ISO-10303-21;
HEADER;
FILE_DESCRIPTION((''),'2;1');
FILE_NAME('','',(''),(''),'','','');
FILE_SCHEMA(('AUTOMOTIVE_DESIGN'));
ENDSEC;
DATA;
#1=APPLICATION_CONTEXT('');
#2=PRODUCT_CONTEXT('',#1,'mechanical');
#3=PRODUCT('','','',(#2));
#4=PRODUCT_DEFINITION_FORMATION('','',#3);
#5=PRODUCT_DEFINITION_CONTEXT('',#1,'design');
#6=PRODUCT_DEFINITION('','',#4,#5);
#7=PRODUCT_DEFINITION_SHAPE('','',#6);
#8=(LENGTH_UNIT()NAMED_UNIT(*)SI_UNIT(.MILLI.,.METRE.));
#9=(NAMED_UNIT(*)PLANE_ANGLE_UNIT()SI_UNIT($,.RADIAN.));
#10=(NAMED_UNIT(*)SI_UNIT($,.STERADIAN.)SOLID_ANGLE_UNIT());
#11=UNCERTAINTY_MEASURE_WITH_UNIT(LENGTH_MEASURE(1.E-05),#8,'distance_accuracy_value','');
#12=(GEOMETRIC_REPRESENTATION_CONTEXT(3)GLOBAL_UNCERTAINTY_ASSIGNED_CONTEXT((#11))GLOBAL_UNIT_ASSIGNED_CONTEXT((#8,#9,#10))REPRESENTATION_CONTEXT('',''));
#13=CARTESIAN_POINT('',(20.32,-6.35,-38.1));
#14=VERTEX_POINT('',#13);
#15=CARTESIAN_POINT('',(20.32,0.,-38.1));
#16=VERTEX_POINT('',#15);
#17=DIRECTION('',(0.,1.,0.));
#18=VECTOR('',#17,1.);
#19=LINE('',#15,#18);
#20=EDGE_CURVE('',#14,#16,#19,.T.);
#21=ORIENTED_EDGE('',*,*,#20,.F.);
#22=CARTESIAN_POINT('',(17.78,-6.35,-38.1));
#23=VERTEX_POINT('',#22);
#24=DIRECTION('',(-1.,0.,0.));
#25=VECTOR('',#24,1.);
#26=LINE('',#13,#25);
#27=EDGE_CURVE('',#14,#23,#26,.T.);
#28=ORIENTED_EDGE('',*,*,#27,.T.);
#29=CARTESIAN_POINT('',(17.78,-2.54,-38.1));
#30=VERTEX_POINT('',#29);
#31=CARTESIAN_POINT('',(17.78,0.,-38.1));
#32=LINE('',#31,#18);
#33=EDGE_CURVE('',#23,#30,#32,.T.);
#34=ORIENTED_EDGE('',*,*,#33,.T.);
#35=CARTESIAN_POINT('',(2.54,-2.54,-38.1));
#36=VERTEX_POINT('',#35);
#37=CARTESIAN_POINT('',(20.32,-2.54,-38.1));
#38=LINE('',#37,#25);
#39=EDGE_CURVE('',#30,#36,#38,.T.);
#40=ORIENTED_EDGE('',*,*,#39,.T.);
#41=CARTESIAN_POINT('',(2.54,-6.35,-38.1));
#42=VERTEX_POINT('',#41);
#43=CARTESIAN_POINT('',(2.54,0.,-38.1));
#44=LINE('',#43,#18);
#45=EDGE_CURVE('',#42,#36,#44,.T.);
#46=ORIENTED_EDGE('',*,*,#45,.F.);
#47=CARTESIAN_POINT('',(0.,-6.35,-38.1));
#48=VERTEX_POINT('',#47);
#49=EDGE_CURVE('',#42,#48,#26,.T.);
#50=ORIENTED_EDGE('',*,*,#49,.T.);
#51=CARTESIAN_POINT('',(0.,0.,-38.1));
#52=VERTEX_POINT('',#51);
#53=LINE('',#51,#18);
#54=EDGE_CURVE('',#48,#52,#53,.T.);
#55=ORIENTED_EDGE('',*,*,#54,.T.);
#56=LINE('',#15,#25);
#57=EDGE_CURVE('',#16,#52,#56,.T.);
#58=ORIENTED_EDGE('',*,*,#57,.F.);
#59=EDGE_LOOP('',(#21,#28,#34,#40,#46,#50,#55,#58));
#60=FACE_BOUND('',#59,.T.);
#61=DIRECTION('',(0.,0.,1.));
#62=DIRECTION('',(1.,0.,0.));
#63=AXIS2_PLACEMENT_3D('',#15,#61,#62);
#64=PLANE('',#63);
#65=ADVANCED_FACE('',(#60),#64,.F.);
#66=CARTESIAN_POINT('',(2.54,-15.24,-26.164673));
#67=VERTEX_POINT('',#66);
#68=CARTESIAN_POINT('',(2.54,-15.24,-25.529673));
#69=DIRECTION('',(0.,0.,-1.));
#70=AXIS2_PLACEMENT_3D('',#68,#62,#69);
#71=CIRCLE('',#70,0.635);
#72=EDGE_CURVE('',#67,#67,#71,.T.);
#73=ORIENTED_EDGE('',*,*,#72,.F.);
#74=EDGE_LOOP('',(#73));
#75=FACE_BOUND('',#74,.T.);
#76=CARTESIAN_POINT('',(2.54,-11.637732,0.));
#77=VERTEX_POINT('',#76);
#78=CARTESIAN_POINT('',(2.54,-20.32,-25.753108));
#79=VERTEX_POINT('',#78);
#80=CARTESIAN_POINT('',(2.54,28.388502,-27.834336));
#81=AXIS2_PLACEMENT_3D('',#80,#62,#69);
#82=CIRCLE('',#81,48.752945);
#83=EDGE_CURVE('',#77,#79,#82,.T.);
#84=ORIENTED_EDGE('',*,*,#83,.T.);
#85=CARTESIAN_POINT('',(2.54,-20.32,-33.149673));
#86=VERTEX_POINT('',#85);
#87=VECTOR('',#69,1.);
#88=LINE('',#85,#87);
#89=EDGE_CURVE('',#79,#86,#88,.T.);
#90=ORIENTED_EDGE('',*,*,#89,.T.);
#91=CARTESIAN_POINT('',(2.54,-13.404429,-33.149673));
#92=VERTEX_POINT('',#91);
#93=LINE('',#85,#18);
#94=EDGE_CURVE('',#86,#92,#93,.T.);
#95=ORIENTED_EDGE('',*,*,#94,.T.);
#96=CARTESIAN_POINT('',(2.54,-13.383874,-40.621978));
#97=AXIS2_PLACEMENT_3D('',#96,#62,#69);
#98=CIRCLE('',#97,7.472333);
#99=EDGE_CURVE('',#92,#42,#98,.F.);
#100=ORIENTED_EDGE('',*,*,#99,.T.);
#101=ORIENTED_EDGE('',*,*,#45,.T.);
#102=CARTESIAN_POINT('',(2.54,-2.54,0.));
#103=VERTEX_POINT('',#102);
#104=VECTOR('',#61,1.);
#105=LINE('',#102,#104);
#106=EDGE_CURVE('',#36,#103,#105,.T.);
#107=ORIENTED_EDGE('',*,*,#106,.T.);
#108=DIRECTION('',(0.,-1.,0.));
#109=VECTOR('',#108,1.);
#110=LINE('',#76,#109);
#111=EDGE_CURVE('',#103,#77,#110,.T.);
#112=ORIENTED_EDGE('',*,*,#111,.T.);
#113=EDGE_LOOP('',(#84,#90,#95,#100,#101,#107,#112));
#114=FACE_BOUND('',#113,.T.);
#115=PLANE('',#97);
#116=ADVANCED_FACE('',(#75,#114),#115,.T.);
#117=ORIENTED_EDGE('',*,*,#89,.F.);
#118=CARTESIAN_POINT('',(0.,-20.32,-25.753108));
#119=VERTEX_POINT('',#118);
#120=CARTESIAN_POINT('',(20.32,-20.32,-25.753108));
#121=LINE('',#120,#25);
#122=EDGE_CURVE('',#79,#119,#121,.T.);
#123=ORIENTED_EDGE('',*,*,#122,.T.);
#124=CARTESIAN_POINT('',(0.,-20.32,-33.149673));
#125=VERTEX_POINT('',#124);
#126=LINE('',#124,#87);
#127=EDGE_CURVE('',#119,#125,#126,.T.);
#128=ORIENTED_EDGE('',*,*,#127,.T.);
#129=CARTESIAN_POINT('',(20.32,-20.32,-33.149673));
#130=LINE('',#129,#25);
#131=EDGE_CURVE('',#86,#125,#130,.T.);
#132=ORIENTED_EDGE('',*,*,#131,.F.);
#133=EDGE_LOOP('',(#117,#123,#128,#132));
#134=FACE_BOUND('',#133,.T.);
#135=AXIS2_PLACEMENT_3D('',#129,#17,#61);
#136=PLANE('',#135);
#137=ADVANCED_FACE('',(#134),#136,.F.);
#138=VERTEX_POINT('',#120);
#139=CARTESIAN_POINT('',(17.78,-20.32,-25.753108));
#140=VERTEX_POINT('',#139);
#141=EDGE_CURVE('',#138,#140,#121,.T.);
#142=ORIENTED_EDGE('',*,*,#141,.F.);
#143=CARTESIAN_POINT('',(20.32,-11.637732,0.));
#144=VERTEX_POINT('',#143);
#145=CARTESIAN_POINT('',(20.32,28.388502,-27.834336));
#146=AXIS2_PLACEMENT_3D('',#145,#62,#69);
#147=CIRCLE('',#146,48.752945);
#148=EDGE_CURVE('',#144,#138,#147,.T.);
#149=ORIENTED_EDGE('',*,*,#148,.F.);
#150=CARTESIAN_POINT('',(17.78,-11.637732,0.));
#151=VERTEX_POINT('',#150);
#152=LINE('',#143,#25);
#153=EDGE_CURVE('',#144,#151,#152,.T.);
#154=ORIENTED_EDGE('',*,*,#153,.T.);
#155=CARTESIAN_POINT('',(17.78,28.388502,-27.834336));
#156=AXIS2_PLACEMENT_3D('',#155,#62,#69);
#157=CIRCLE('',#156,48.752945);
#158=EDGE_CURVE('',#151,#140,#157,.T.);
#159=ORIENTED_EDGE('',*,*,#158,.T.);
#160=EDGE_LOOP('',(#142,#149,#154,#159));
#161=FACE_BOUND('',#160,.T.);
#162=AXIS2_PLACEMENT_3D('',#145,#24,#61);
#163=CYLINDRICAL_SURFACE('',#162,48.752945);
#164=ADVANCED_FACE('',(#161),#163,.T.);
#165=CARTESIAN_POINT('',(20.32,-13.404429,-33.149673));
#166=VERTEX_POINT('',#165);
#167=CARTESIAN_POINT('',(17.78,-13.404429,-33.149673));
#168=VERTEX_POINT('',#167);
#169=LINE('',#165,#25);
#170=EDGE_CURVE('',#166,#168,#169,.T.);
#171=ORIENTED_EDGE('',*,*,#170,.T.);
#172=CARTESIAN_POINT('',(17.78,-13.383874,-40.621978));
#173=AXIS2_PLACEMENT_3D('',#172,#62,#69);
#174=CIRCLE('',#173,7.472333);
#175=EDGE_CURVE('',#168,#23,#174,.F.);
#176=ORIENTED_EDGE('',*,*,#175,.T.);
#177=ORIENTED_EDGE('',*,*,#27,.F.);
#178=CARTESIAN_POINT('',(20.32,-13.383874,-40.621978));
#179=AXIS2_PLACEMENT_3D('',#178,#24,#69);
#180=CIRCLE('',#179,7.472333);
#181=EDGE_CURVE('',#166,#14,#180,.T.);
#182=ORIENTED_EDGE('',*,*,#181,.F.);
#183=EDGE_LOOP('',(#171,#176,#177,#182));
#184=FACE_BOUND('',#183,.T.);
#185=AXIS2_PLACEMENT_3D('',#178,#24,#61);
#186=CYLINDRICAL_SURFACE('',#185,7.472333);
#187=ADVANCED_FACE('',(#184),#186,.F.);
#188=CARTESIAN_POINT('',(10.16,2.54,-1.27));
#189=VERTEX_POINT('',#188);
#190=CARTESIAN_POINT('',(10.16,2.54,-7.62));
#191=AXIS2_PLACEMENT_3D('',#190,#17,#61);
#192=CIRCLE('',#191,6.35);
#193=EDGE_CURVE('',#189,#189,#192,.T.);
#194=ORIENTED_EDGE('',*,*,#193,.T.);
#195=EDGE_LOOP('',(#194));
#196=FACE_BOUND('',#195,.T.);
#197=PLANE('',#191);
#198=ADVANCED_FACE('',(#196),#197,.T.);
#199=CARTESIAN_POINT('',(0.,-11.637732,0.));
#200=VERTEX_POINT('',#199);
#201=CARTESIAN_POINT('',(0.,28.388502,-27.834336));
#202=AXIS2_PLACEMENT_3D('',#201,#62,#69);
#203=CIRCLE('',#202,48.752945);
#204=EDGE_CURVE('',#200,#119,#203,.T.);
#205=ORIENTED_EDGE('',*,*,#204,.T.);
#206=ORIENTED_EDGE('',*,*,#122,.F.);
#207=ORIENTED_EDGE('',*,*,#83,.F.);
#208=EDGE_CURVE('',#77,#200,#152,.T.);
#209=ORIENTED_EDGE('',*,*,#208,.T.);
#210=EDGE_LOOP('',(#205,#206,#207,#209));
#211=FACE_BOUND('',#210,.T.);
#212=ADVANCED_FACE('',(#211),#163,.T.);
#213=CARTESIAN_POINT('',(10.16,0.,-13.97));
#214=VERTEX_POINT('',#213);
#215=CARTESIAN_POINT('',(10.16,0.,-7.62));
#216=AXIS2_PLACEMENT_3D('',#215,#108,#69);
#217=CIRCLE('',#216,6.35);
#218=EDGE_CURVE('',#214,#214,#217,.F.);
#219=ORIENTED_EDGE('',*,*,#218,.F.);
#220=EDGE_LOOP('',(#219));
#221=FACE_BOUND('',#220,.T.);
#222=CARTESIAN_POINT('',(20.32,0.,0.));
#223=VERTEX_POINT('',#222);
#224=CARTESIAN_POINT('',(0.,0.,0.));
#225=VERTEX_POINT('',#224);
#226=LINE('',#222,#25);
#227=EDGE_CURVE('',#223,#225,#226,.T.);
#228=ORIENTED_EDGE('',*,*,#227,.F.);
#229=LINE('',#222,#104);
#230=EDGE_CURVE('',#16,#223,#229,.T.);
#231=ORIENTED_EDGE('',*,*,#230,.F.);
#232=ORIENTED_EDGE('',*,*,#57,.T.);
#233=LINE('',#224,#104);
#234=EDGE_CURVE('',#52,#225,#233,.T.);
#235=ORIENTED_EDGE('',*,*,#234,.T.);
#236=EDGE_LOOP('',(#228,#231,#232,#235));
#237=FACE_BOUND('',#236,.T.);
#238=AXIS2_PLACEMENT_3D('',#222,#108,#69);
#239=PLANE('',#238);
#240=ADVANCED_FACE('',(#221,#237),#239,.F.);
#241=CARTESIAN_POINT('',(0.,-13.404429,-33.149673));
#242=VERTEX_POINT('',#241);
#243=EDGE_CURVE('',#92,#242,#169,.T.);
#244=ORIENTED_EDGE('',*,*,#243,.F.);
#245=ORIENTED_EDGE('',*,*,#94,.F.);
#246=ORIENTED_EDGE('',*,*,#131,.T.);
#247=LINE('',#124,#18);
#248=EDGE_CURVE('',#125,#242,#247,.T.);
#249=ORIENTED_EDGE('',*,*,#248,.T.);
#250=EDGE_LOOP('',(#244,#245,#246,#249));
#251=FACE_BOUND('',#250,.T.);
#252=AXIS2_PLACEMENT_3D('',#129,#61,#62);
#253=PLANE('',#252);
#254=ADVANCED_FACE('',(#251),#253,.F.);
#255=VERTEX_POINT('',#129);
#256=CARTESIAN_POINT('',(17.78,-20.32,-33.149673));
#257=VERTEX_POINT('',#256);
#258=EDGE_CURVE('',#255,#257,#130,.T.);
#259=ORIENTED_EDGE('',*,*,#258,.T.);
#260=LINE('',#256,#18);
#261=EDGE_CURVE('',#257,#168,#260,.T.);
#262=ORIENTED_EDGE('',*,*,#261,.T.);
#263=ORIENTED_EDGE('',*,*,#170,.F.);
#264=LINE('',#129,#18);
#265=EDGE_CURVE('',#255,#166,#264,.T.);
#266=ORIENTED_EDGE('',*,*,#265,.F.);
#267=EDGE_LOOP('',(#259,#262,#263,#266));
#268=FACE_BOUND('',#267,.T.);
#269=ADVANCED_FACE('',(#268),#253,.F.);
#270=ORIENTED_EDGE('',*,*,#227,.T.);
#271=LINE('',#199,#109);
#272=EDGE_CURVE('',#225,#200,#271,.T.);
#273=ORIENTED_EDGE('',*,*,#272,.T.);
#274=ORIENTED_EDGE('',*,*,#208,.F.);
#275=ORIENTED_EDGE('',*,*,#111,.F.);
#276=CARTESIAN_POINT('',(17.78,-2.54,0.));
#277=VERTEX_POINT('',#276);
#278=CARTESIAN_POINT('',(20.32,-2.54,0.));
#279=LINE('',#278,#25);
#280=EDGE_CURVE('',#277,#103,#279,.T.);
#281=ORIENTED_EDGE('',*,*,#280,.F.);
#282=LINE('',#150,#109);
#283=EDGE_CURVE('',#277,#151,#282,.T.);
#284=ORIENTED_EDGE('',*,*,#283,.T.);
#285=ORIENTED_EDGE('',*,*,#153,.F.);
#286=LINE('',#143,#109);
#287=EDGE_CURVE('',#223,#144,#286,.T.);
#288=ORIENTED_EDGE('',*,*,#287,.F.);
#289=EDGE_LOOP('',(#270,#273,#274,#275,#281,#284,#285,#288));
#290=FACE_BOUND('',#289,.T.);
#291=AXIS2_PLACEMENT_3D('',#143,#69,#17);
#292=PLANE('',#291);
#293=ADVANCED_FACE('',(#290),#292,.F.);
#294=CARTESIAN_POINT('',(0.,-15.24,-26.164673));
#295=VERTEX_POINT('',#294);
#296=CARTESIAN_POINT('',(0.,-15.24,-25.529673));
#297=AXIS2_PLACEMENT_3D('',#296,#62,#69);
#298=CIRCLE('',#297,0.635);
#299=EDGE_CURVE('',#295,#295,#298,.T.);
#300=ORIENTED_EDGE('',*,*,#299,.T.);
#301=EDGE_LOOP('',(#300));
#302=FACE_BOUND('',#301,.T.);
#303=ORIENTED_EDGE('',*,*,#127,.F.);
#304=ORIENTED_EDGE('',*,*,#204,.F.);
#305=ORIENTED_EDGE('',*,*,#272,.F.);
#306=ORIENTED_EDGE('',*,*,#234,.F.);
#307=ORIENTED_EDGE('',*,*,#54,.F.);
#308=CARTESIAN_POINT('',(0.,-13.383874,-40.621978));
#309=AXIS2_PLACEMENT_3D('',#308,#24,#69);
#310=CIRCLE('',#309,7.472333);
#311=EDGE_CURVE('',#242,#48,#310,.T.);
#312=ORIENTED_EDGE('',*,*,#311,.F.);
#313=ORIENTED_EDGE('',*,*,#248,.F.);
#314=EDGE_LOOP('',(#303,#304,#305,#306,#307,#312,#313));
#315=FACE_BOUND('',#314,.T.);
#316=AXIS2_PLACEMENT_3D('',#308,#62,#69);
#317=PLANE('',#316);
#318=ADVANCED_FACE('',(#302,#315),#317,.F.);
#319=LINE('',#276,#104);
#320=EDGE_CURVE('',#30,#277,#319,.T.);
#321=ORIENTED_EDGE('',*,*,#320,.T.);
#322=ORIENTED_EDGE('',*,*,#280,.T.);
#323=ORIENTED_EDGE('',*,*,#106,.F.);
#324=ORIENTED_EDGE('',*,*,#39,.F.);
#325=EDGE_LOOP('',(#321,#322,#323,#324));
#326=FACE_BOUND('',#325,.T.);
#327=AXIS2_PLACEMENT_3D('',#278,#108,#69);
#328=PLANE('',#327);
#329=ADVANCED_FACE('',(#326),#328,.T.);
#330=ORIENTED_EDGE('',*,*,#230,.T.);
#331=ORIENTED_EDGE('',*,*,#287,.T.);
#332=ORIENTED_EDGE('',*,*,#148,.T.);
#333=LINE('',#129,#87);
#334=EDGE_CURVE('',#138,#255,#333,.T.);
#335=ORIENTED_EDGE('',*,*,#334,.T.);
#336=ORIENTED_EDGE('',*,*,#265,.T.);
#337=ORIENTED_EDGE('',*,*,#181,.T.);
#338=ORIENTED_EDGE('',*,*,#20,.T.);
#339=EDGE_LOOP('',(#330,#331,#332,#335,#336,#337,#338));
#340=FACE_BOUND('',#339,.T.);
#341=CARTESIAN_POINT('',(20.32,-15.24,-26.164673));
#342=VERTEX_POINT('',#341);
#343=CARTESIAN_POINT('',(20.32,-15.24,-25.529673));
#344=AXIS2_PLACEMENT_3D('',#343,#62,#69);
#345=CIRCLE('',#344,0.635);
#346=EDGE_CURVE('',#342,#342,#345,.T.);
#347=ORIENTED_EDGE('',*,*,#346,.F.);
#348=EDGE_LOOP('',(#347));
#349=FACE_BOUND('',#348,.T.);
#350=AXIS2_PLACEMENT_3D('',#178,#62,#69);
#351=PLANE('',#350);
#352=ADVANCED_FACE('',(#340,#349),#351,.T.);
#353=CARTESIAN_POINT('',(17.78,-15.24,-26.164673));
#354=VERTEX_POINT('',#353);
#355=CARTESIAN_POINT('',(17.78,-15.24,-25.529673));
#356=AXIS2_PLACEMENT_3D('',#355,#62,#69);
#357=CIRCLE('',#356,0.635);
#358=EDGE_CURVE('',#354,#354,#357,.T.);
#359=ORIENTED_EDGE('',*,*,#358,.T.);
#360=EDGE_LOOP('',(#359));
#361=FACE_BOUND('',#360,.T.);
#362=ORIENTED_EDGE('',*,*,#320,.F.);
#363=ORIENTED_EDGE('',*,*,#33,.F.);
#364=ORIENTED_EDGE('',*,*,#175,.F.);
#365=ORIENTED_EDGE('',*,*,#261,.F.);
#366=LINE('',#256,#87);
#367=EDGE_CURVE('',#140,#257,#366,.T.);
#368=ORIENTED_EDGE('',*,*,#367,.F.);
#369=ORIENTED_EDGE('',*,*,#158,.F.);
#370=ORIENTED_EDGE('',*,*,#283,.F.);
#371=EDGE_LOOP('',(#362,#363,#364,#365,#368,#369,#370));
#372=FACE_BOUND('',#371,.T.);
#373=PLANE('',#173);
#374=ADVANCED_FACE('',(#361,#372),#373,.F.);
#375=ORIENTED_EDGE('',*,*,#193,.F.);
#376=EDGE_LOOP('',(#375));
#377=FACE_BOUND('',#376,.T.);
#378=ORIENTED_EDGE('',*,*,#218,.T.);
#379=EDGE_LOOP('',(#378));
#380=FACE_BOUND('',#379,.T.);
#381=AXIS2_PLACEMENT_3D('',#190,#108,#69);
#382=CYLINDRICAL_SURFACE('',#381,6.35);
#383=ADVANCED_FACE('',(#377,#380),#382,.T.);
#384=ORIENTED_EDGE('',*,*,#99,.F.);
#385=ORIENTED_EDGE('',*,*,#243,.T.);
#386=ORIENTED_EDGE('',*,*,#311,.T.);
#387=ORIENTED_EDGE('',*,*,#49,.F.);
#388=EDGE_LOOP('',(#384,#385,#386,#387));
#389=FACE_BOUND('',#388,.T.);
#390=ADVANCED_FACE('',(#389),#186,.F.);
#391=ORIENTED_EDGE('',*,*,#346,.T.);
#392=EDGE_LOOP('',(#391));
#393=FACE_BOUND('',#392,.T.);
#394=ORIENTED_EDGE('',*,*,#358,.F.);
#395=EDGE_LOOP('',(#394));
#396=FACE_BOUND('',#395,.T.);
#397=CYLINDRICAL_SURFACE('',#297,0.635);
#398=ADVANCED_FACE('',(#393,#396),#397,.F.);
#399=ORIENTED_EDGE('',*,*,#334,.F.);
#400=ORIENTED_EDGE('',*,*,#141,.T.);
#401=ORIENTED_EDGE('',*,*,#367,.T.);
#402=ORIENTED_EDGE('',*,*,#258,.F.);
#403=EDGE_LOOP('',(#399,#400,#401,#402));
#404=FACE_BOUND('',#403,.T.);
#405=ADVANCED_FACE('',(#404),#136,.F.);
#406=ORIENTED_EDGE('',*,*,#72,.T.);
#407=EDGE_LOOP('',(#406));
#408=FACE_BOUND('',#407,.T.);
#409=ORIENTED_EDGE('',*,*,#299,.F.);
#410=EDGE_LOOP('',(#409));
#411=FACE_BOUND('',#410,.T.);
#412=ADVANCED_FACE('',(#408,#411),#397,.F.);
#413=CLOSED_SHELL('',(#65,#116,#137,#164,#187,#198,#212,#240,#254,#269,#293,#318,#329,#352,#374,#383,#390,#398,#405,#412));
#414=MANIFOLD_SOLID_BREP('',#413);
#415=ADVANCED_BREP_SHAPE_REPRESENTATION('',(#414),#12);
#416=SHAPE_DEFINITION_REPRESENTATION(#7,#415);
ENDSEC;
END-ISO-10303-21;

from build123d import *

# Parameters (mm, degrees)
BOSS_EXTRUDE1_DEPTH     = 20.32
SHELL1_T                = -2.54
SKETCH3_R               = 6.35
BOSS_EXTRUDE2_DEPTH     = 2.54
SKETCH5_R               = 0.635
CUT_EXTRUDE2_DEPTH      = 1
CUT_EXTRUDE2_DEPTH_BACK = 21.32


with BuildPart() as part:
    # Sketch2 → Boss-Extrude1 (new body)
    with BuildSketch(Plane(origin=(0, 0, 0), x_dir=(0, 0, -1), z_dir=(1, 0, 0))):
        with BuildLine():
            Line((0, 0), (38.1, 0))
            Line((38.1, 0), (38.1, -6.35))
            ThreePointArc((38.1, -6.35), (34.505388745, -9.09166098), (33.149673366, -13.404429327))
            Line((33.149673366, -13.404429327), (33.149673366, -20.32))
            Line((33.149673366, -20.32), (25.753107907, -20.32))
            ThreePointArc((25.753107907, -20.32), (12.259334003, -17.809647323), (0, -11.637732342))
            Line((0, -11.637732342), (0, 0))
        make_face()
    extrude(amount=BOSS_EXTRUDE1_DEPTH)

    # Shell1
    shell1_openings = [part.faces().sort_by_distance(p)[0] for p in [
        (10.16, -3.175, -38.1),
        (10.16, -9.484437822, -35.065112714),
        (10.16, -16.862214664, -33.149673366),
        (10.16, -20.32, -29.451390636),
        (10.16, -16.894256747, -12.567943978),
        (10.16, -5.818866171, 0),
    ]]
    offset(amount=SHELL1_T, openings=shell1_openings, kind=Kind.INTERSECTION)

    # Sketch3 → Boss-Extrude2 (add)
    with BuildSketch(Plane(origin=(0, 0, 0), x_dir=(1, 0, 0), z_dir=(0, 1, 0))):
        with Locations((10.16, 7.62)):
            Circle(SKETCH3_R)
    extrude(amount=BOSS_EXTRUDE2_DEPTH)

    # Sketch5 → Cut-Extrude2 (cut, two sides)
    with BuildSketch(Plane(origin=(20.32, 0, 0), x_dir=(0, 0, -1), z_dir=(1, 0, 0))) as cut_extrude2_sk:
        with Locations((25.529673366, -15.24)):
            Circle(SKETCH5_R)
    extrude(amount=CUT_EXTRUDE2_DEPTH, mode=Mode.SUBTRACT)
    extrude(cut_extrude2_sk.sketch, amount=-CUT_EXTRUDE2_DEPTH_BACK, mode=Mode.SUBTRACT)


solid = part.part
